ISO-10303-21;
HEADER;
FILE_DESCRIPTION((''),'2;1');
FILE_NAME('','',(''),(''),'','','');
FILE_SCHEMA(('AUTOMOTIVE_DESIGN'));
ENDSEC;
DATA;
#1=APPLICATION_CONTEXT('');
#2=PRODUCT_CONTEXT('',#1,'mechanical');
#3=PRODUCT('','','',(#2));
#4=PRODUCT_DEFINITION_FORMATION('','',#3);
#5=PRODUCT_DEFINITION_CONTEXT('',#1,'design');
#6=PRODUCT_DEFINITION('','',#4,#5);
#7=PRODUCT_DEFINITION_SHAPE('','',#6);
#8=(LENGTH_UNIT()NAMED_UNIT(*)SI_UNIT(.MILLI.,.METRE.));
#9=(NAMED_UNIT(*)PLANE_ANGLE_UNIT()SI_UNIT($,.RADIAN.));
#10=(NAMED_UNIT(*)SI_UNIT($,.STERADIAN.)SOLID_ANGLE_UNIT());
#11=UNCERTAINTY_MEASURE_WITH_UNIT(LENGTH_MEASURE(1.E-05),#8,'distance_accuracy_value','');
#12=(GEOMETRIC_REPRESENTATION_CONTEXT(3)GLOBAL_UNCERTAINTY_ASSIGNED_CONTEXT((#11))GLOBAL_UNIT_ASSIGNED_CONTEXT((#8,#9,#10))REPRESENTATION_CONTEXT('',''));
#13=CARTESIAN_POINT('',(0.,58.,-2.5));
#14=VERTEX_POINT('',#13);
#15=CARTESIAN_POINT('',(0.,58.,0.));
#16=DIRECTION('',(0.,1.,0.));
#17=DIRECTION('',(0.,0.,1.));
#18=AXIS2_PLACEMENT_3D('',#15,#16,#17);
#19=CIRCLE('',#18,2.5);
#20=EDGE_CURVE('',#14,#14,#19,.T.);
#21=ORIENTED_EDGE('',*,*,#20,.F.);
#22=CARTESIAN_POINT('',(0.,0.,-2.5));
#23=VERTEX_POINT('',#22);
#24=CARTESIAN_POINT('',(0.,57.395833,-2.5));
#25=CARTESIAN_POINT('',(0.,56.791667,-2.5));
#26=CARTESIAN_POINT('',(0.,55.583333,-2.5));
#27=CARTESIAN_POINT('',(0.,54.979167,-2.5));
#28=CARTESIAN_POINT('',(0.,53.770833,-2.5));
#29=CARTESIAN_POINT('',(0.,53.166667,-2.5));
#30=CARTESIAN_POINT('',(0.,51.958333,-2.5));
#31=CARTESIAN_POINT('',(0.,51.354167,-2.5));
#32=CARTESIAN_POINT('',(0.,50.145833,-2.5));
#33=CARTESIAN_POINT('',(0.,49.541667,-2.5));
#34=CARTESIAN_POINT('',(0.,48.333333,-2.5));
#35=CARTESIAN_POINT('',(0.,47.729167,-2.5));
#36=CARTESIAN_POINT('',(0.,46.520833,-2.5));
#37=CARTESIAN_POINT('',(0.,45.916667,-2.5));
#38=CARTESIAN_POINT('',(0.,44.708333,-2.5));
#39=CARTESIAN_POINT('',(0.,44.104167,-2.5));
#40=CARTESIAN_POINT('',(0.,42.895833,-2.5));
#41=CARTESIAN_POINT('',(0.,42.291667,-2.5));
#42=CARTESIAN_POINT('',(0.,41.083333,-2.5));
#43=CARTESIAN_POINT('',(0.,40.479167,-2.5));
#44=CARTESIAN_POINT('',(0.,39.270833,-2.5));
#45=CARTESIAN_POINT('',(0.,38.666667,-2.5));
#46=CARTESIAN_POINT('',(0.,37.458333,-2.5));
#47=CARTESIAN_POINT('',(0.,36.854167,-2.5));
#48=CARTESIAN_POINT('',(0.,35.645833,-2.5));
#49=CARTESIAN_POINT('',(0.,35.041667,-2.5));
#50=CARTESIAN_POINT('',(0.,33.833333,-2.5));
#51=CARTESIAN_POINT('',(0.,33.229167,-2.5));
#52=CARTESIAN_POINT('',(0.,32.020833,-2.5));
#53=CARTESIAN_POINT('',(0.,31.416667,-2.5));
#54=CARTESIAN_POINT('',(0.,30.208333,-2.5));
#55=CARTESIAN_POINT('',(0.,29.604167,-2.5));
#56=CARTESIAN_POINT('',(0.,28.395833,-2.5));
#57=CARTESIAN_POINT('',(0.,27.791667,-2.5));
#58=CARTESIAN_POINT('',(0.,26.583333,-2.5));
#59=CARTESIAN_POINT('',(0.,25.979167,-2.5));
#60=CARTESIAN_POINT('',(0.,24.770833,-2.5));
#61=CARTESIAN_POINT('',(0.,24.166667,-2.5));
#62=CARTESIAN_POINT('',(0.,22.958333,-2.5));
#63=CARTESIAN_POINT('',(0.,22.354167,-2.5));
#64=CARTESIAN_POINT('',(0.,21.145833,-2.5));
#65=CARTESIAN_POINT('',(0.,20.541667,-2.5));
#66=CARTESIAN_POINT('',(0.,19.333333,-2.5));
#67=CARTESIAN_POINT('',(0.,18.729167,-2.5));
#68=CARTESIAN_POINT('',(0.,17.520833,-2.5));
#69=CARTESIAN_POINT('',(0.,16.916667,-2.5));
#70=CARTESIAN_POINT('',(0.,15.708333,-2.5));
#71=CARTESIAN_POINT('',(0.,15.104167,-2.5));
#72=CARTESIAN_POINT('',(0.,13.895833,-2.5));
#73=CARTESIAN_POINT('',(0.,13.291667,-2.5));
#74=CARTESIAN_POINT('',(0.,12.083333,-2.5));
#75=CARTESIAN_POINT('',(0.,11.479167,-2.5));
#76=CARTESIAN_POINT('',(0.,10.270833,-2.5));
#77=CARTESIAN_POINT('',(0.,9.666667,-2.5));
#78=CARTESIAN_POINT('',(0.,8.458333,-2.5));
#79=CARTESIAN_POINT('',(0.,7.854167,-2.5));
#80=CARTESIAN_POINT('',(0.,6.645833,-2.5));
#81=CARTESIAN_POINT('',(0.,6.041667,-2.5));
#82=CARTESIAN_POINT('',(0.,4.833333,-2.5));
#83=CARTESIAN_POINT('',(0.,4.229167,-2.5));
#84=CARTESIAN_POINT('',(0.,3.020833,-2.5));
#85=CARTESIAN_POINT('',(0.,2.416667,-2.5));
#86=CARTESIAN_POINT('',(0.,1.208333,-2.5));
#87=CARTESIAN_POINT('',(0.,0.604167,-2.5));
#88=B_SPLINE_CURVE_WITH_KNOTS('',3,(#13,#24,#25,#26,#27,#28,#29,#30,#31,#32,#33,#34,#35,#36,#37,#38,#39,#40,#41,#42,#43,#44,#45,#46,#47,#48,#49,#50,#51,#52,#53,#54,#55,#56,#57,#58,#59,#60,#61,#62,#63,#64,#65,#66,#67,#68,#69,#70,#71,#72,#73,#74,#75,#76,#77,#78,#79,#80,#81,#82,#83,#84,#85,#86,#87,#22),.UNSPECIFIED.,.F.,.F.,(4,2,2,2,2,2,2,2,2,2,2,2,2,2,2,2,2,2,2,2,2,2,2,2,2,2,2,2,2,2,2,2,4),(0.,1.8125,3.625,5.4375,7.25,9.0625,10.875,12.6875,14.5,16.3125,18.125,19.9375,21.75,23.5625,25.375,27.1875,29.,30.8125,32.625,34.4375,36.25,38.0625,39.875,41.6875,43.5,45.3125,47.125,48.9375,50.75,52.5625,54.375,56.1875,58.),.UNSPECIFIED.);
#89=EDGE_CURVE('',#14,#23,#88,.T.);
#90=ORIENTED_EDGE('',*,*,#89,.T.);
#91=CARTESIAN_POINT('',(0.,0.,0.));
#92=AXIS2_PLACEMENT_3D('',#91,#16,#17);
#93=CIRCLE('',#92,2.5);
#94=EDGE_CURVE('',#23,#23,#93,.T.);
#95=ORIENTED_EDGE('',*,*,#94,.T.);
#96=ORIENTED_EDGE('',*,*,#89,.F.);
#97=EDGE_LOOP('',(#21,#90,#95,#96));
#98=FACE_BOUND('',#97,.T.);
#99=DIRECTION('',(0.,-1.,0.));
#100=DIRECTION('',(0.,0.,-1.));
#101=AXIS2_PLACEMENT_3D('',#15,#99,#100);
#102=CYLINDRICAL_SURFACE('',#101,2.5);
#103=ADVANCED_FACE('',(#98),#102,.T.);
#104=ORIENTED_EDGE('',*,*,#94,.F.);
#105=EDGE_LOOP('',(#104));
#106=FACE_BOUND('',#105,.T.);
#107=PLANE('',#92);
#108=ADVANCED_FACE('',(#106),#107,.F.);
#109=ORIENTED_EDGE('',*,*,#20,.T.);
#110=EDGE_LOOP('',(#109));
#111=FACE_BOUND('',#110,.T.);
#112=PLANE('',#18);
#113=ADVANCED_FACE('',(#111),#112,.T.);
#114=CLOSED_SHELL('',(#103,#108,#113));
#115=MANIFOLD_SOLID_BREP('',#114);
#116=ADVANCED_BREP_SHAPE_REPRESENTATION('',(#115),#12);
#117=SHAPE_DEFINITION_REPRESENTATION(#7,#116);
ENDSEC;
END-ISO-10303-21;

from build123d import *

# Parameters (mm, degrees)
SKETCH1_R           = 2.5
BOSS_EXTRUDE1_DEPTH = 58


with BuildPart() as part:
    # Sketch1 → Boss-Extrude1 (new body)
    with BuildSketch(Plane(origin=(0, 0, 0), x_dir=(1, 0, 0), z_dir=(0, 1, 0))):
        with Locations(Location((0, 0, 0), (0, 0, 90))):
            Circle(SKETCH1_R)
    extrude(amount=BOSS_EXTRUDE1_DEPTH)


solid = part.part
